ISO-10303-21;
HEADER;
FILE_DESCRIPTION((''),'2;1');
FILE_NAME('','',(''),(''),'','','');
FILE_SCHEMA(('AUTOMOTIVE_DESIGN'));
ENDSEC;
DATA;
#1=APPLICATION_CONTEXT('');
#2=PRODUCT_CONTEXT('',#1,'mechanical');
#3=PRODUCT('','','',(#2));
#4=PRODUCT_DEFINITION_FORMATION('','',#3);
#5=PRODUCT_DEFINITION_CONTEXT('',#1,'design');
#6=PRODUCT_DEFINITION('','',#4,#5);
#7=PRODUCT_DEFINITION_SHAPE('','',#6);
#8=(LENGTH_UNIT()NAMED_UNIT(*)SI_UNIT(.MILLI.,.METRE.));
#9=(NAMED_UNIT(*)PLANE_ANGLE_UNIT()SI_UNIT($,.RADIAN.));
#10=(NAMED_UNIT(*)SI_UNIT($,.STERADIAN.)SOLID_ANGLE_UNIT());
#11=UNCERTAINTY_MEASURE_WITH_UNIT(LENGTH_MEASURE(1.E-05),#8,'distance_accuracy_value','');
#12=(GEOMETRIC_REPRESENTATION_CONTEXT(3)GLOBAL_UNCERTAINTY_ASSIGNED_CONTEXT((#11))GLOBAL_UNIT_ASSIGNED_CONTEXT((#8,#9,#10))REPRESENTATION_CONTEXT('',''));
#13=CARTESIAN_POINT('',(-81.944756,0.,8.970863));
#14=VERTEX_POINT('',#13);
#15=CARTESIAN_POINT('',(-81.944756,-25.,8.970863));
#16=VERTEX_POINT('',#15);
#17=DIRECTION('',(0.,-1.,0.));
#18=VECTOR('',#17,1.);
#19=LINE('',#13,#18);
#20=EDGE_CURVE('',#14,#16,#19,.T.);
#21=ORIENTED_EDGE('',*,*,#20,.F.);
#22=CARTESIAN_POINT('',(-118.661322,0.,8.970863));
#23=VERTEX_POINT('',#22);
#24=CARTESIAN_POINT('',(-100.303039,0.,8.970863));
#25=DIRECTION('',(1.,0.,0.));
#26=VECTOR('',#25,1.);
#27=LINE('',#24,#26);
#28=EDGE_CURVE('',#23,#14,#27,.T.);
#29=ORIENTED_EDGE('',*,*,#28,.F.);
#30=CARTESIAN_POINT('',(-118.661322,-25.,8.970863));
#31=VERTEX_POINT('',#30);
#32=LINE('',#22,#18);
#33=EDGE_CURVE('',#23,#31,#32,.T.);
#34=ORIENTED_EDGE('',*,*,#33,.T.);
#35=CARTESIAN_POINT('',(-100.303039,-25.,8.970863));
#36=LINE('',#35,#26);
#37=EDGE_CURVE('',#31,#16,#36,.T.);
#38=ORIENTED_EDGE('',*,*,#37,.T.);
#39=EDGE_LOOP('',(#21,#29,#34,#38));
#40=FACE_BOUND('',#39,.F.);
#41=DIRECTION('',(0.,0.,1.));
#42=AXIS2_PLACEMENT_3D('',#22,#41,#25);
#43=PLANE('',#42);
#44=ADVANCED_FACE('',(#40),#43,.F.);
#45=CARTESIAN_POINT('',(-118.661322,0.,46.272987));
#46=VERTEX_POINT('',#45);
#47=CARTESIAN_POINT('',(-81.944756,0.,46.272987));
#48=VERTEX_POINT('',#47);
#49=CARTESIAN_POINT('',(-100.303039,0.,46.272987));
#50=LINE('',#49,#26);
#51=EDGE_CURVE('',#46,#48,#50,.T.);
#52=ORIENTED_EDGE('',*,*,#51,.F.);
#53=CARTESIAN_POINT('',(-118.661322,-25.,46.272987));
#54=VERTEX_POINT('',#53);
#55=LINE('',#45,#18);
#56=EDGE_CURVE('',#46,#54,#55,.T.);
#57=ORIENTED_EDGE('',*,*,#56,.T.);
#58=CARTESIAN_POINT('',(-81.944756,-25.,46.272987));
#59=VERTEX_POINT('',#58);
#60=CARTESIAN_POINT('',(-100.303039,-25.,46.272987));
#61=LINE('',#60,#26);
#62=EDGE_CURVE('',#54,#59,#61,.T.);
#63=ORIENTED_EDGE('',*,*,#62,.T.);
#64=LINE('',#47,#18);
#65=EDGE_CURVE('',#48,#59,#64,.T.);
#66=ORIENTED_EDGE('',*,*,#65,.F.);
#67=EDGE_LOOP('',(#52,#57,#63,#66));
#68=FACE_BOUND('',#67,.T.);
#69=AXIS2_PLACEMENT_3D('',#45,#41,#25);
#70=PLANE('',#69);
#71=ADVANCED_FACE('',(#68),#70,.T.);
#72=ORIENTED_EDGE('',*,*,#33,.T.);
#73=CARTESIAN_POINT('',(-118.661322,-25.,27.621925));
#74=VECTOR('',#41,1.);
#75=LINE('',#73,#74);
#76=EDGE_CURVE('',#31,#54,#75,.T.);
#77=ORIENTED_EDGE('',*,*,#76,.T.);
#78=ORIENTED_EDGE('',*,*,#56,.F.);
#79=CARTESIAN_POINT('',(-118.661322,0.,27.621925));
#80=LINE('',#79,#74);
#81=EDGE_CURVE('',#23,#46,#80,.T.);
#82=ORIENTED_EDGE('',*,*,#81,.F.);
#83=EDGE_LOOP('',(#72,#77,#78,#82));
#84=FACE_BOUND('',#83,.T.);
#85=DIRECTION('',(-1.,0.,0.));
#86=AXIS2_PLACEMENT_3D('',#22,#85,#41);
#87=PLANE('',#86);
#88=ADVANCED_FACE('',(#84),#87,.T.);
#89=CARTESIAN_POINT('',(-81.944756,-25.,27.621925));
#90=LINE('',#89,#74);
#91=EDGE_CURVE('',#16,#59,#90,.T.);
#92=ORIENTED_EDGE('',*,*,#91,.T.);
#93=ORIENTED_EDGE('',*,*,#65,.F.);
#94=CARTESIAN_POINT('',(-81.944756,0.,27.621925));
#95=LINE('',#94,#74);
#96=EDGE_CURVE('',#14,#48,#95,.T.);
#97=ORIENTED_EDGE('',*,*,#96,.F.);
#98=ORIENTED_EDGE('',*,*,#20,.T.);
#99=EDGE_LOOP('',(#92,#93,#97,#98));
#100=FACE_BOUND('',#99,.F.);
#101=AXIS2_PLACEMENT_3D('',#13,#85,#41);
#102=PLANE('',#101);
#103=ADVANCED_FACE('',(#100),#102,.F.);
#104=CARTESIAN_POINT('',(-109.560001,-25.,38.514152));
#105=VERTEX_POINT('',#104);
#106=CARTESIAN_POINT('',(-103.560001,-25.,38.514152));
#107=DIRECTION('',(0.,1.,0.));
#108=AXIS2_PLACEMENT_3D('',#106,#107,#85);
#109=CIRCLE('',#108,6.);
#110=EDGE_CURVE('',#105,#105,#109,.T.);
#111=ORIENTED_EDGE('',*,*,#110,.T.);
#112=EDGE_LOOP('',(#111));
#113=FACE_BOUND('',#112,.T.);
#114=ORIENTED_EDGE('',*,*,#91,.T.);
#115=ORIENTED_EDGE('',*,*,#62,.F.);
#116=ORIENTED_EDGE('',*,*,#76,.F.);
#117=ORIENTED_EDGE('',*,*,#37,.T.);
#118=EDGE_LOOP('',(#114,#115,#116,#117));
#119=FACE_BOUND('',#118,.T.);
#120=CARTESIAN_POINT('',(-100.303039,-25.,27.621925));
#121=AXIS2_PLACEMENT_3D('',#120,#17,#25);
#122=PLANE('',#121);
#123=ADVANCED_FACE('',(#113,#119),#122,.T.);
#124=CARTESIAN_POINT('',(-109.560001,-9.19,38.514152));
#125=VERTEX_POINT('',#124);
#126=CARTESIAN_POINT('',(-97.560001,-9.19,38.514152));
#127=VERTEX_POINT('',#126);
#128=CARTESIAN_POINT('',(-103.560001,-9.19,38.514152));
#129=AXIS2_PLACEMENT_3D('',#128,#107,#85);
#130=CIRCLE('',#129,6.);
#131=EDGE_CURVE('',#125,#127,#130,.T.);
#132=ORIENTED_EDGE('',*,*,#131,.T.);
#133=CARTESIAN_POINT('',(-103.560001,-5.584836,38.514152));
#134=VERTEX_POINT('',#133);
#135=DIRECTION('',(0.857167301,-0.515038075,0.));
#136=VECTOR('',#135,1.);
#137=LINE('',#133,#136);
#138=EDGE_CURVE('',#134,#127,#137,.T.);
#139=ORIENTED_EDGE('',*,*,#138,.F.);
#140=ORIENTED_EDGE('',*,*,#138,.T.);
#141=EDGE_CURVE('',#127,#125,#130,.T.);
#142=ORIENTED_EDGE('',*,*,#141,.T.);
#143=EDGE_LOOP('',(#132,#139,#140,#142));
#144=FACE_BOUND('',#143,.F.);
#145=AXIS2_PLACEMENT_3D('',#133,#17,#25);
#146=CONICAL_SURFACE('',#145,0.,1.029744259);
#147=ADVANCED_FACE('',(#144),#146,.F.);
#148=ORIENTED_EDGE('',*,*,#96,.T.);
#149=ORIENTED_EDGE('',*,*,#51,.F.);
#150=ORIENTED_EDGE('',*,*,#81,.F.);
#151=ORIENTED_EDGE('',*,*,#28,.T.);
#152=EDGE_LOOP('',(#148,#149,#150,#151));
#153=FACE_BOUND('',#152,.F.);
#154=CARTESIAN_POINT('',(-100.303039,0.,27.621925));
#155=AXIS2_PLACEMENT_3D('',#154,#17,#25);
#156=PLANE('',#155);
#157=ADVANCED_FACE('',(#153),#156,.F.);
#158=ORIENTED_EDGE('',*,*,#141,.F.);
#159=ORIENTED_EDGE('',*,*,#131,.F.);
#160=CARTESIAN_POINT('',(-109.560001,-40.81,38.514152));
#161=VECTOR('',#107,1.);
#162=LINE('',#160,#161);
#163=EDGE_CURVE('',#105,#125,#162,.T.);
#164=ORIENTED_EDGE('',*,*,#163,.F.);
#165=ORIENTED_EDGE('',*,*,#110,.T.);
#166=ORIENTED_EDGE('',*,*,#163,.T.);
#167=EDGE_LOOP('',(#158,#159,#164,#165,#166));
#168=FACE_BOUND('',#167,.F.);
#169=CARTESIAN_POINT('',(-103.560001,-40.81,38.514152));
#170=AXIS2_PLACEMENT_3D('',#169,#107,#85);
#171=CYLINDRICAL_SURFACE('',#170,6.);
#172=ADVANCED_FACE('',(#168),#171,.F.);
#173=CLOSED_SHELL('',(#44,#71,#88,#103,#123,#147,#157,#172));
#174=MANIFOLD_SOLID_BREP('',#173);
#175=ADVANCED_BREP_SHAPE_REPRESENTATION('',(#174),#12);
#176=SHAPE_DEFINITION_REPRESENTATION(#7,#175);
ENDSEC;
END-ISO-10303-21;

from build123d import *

# Parameters (mm, degrees)
F0_W     = 36.7165654898
F0_H     = 37.3021233827
F1_DEPTH = 25
F3_D     = 12
F3_DEPTH = 15.81
F3_TIP   = 3.6051637142


with BuildPart() as f1:
    # F0 (on Front) → F1 (new body)
    with BuildSketch(Plane.XZ):
        with Locations((-100.3030389547, 27.6219248772)):
            Rectangle(F0_W, F0_H)
    extrude(amount=F1_DEPTH)

    # F3
    with Locations(Plane.XZ.offset(25)):
        with Locations((-103.560000658, 38.5141521692)):
            Hole(F3_D / 2, depth=F3_DEPTH)
            with Locations((0, 0, -(F3_DEPTH + F3_TIP / 2))):  # 118° drill point
                Cone(0, F3_D / 2, F3_TIP, mode=Mode.SUBTRACT)


solid = f1.part
